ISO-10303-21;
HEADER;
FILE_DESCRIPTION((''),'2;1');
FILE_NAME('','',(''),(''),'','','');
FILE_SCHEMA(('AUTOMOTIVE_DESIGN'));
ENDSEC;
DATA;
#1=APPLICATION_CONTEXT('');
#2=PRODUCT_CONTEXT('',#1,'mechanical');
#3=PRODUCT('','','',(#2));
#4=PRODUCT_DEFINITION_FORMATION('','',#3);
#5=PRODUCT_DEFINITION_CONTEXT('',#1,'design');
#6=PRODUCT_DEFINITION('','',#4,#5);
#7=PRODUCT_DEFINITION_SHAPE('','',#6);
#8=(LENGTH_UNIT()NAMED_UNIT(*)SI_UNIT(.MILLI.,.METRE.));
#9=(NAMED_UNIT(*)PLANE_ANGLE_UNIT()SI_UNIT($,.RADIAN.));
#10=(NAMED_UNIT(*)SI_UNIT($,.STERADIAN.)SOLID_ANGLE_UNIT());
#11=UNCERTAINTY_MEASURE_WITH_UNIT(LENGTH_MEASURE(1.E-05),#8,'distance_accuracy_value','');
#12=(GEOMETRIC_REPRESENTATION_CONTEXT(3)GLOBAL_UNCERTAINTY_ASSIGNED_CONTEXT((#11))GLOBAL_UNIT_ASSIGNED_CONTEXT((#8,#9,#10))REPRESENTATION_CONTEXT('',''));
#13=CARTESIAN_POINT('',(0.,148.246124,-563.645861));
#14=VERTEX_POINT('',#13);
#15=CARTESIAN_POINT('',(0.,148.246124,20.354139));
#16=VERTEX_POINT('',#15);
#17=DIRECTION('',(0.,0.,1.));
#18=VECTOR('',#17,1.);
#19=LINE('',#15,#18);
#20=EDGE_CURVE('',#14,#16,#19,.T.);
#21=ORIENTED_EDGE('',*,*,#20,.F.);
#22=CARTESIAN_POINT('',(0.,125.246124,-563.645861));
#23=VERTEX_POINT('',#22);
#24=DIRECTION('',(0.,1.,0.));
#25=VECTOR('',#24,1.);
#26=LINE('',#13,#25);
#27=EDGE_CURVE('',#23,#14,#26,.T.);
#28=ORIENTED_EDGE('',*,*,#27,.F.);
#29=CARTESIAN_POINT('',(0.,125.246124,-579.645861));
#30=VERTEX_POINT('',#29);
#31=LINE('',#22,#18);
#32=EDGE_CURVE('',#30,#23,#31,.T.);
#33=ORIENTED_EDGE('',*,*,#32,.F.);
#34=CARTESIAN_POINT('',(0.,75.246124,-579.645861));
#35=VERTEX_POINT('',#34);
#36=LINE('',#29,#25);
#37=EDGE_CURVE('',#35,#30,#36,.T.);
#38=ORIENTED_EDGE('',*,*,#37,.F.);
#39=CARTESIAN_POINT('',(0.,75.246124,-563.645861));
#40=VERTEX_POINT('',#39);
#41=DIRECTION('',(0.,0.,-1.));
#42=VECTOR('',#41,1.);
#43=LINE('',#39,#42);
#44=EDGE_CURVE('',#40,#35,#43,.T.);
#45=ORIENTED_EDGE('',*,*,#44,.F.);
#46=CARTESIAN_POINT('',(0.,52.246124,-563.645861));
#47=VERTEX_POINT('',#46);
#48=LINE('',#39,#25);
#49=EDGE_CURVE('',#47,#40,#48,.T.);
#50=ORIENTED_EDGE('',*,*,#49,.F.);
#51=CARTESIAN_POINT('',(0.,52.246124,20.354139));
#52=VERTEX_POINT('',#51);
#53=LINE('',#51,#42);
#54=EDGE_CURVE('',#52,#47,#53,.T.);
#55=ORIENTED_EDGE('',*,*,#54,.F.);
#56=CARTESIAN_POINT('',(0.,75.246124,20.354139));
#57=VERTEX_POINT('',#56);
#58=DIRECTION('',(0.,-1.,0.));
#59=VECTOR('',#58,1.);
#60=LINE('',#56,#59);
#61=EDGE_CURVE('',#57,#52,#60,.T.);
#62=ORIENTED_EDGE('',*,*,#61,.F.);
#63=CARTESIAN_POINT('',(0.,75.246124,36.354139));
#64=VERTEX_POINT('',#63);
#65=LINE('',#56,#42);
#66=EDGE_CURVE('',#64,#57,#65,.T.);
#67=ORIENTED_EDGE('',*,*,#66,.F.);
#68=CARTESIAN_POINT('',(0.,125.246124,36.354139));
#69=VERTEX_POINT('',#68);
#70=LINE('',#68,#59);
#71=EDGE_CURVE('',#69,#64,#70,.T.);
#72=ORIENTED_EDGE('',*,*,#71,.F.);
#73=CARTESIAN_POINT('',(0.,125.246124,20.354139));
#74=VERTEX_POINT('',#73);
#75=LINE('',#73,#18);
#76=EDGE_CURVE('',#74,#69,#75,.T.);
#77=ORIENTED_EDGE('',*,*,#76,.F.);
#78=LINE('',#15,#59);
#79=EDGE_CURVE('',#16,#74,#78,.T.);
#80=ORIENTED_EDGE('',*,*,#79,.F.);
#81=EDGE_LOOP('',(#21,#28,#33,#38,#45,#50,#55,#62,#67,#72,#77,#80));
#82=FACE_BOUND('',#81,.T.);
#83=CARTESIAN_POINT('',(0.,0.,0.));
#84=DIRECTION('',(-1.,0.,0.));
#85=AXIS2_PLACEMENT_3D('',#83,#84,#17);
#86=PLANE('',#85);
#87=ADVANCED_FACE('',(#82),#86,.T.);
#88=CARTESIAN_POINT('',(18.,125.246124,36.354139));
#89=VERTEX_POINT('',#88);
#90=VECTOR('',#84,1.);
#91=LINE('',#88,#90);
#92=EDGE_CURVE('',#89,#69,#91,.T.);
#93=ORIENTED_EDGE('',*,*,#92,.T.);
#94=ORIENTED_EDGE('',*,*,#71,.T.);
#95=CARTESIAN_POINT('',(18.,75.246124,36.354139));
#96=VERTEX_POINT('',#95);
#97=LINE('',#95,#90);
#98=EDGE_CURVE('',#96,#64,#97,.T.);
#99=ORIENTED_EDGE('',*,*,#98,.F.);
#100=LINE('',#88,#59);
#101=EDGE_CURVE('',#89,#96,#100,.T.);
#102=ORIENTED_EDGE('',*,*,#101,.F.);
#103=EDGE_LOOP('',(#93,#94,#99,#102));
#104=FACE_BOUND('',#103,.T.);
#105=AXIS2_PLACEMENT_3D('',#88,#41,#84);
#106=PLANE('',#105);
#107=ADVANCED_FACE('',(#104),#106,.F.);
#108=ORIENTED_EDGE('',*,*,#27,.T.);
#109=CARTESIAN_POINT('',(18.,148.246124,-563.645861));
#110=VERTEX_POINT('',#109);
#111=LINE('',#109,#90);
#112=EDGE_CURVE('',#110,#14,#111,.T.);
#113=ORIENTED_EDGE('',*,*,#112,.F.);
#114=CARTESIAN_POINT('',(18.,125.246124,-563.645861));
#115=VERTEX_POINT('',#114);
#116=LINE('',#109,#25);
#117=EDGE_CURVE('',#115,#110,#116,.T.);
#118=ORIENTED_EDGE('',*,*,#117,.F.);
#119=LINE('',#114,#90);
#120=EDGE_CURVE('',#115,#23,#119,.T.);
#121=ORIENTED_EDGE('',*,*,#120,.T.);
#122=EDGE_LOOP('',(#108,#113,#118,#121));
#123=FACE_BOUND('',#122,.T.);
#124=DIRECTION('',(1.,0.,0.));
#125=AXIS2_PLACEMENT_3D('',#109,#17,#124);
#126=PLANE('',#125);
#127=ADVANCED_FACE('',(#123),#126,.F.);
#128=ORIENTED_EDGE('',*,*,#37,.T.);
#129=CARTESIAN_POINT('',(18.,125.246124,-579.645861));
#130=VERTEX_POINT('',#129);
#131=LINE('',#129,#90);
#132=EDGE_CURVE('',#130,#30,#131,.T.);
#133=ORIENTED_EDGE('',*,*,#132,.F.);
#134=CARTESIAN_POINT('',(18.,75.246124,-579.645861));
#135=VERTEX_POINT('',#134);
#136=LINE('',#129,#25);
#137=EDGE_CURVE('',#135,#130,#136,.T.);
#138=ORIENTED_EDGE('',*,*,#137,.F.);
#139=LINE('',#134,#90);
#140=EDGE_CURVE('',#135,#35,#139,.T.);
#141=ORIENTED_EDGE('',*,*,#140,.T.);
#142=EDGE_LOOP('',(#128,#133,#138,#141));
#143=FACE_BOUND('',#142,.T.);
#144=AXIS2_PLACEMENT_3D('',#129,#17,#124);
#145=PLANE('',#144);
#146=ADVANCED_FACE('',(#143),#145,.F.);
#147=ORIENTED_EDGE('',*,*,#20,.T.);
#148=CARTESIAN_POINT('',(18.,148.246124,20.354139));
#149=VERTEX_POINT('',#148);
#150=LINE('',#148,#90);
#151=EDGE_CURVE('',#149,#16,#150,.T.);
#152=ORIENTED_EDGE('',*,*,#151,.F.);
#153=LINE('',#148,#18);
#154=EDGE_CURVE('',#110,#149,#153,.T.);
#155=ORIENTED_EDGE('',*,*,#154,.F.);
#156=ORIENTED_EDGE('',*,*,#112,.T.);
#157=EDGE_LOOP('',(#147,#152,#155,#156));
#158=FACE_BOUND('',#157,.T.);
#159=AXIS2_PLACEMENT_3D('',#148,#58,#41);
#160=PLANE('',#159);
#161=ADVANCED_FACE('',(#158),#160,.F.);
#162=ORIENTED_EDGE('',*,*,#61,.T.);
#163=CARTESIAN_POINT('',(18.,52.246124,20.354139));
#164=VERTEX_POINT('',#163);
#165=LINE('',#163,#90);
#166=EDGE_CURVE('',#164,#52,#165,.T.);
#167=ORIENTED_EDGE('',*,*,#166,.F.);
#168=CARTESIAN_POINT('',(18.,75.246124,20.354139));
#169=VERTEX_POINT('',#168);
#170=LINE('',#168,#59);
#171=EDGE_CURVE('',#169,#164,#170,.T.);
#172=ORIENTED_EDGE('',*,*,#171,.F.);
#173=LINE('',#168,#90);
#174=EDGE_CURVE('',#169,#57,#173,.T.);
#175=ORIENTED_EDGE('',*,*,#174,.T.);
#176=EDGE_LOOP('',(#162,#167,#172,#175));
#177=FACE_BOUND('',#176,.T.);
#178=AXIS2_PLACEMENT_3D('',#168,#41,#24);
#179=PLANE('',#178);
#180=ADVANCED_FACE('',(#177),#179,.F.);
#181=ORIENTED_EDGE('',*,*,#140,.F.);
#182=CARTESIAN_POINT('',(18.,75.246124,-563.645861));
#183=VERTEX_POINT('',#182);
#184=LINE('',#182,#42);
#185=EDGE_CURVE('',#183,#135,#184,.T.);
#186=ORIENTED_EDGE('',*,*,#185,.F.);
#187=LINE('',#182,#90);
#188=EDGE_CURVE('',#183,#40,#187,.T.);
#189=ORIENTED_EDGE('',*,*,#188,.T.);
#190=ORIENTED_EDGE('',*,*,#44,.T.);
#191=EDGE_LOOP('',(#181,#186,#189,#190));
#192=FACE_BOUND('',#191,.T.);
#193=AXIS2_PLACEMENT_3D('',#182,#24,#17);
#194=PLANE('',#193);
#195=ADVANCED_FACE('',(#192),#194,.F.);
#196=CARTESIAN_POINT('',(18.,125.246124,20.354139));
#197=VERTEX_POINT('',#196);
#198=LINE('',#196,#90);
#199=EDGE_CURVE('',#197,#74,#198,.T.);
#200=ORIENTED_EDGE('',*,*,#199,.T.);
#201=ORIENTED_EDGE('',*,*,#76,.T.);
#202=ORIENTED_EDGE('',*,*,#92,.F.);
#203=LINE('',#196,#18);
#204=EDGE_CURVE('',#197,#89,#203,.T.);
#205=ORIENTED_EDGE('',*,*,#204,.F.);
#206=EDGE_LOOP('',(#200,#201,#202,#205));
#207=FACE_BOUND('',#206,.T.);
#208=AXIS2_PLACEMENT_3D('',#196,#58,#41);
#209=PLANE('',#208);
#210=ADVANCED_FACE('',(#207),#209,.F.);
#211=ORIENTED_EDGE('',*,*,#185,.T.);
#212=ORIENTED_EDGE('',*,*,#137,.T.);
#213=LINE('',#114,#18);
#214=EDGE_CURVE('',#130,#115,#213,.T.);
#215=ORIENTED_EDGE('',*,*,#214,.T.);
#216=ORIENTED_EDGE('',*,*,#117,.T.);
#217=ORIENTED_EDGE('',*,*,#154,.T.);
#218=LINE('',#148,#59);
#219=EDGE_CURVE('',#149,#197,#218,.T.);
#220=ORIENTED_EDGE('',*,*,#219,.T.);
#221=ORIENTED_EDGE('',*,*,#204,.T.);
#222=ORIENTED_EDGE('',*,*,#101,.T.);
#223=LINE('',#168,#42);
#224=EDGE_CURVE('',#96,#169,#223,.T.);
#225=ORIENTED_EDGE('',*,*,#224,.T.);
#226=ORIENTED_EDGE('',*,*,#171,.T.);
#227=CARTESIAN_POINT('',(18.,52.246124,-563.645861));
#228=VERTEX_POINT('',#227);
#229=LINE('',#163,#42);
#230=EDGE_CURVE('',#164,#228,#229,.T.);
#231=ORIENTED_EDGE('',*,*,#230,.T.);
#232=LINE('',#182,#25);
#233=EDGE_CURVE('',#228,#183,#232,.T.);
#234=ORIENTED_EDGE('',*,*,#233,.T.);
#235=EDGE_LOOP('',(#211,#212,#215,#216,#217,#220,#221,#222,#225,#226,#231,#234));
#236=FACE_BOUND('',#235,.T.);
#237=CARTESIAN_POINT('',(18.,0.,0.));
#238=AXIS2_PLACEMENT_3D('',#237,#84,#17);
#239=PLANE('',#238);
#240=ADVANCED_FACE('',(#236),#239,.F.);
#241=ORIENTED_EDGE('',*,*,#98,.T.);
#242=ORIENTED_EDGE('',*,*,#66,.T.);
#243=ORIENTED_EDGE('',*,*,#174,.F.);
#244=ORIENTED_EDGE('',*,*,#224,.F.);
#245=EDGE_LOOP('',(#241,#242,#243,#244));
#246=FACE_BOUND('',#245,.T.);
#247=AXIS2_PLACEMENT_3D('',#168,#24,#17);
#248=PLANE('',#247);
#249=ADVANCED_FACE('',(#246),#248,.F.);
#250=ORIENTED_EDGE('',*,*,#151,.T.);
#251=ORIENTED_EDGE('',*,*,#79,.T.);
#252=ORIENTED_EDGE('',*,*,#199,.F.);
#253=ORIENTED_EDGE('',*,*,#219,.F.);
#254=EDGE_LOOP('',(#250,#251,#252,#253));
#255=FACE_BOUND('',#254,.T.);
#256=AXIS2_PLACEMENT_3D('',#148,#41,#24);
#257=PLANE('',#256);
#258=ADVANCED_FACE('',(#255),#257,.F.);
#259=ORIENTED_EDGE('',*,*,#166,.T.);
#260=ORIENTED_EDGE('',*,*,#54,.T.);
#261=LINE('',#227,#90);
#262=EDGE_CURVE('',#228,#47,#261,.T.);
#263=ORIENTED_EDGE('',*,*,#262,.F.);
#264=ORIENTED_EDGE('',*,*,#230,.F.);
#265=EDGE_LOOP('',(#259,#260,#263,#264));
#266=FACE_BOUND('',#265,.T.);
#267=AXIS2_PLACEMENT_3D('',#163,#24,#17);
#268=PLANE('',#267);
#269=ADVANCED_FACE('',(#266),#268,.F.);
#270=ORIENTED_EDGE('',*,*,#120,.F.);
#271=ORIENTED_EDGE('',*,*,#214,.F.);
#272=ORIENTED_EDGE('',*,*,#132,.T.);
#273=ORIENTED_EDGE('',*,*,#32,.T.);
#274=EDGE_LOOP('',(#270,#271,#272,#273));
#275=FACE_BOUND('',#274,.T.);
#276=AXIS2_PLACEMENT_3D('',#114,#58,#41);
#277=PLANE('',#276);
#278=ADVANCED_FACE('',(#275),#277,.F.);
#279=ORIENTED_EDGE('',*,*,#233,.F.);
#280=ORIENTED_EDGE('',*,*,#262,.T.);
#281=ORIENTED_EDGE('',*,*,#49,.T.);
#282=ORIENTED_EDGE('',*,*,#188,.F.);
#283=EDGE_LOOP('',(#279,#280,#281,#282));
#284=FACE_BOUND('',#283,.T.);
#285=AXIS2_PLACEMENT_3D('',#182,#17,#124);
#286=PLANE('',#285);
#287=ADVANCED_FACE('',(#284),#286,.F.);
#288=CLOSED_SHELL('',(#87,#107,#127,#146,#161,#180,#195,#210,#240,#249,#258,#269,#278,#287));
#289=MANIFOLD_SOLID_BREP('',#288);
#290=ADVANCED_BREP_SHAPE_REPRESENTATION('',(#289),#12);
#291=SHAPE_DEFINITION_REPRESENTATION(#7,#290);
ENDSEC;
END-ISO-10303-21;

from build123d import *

# Parameters (mm, degrees)
BOSS_EXTRUDE1_DEPTH = 18


with BuildPart() as part:
    # Sketch1 → Boss-Extrude1 (new body)
    with BuildSketch(Plane(origin=(0, 0, 0), x_dir=(0, 0, -1), z_dir=(1, 0, 0))):
        Polygon((-20.354138571, 148.246124223), (563.645861429, 148.246124223), (563.645861429, 125.246124223), (579.645861429, 125.246124223), (579.645861429, 75.246124223), (563.645861429, 75.246124223), (563.645861429, 52.246124223), (-20.354138571, 52.246124223), (-20.354138571, 75.246124223), (-36.354138571, 75.246124223), (-36.354138571, 125.246124223), (-20.354138571, 125.246124223), align=None)
    extrude(amount=BOSS_EXTRUDE1_DEPTH)


solid = part.part
